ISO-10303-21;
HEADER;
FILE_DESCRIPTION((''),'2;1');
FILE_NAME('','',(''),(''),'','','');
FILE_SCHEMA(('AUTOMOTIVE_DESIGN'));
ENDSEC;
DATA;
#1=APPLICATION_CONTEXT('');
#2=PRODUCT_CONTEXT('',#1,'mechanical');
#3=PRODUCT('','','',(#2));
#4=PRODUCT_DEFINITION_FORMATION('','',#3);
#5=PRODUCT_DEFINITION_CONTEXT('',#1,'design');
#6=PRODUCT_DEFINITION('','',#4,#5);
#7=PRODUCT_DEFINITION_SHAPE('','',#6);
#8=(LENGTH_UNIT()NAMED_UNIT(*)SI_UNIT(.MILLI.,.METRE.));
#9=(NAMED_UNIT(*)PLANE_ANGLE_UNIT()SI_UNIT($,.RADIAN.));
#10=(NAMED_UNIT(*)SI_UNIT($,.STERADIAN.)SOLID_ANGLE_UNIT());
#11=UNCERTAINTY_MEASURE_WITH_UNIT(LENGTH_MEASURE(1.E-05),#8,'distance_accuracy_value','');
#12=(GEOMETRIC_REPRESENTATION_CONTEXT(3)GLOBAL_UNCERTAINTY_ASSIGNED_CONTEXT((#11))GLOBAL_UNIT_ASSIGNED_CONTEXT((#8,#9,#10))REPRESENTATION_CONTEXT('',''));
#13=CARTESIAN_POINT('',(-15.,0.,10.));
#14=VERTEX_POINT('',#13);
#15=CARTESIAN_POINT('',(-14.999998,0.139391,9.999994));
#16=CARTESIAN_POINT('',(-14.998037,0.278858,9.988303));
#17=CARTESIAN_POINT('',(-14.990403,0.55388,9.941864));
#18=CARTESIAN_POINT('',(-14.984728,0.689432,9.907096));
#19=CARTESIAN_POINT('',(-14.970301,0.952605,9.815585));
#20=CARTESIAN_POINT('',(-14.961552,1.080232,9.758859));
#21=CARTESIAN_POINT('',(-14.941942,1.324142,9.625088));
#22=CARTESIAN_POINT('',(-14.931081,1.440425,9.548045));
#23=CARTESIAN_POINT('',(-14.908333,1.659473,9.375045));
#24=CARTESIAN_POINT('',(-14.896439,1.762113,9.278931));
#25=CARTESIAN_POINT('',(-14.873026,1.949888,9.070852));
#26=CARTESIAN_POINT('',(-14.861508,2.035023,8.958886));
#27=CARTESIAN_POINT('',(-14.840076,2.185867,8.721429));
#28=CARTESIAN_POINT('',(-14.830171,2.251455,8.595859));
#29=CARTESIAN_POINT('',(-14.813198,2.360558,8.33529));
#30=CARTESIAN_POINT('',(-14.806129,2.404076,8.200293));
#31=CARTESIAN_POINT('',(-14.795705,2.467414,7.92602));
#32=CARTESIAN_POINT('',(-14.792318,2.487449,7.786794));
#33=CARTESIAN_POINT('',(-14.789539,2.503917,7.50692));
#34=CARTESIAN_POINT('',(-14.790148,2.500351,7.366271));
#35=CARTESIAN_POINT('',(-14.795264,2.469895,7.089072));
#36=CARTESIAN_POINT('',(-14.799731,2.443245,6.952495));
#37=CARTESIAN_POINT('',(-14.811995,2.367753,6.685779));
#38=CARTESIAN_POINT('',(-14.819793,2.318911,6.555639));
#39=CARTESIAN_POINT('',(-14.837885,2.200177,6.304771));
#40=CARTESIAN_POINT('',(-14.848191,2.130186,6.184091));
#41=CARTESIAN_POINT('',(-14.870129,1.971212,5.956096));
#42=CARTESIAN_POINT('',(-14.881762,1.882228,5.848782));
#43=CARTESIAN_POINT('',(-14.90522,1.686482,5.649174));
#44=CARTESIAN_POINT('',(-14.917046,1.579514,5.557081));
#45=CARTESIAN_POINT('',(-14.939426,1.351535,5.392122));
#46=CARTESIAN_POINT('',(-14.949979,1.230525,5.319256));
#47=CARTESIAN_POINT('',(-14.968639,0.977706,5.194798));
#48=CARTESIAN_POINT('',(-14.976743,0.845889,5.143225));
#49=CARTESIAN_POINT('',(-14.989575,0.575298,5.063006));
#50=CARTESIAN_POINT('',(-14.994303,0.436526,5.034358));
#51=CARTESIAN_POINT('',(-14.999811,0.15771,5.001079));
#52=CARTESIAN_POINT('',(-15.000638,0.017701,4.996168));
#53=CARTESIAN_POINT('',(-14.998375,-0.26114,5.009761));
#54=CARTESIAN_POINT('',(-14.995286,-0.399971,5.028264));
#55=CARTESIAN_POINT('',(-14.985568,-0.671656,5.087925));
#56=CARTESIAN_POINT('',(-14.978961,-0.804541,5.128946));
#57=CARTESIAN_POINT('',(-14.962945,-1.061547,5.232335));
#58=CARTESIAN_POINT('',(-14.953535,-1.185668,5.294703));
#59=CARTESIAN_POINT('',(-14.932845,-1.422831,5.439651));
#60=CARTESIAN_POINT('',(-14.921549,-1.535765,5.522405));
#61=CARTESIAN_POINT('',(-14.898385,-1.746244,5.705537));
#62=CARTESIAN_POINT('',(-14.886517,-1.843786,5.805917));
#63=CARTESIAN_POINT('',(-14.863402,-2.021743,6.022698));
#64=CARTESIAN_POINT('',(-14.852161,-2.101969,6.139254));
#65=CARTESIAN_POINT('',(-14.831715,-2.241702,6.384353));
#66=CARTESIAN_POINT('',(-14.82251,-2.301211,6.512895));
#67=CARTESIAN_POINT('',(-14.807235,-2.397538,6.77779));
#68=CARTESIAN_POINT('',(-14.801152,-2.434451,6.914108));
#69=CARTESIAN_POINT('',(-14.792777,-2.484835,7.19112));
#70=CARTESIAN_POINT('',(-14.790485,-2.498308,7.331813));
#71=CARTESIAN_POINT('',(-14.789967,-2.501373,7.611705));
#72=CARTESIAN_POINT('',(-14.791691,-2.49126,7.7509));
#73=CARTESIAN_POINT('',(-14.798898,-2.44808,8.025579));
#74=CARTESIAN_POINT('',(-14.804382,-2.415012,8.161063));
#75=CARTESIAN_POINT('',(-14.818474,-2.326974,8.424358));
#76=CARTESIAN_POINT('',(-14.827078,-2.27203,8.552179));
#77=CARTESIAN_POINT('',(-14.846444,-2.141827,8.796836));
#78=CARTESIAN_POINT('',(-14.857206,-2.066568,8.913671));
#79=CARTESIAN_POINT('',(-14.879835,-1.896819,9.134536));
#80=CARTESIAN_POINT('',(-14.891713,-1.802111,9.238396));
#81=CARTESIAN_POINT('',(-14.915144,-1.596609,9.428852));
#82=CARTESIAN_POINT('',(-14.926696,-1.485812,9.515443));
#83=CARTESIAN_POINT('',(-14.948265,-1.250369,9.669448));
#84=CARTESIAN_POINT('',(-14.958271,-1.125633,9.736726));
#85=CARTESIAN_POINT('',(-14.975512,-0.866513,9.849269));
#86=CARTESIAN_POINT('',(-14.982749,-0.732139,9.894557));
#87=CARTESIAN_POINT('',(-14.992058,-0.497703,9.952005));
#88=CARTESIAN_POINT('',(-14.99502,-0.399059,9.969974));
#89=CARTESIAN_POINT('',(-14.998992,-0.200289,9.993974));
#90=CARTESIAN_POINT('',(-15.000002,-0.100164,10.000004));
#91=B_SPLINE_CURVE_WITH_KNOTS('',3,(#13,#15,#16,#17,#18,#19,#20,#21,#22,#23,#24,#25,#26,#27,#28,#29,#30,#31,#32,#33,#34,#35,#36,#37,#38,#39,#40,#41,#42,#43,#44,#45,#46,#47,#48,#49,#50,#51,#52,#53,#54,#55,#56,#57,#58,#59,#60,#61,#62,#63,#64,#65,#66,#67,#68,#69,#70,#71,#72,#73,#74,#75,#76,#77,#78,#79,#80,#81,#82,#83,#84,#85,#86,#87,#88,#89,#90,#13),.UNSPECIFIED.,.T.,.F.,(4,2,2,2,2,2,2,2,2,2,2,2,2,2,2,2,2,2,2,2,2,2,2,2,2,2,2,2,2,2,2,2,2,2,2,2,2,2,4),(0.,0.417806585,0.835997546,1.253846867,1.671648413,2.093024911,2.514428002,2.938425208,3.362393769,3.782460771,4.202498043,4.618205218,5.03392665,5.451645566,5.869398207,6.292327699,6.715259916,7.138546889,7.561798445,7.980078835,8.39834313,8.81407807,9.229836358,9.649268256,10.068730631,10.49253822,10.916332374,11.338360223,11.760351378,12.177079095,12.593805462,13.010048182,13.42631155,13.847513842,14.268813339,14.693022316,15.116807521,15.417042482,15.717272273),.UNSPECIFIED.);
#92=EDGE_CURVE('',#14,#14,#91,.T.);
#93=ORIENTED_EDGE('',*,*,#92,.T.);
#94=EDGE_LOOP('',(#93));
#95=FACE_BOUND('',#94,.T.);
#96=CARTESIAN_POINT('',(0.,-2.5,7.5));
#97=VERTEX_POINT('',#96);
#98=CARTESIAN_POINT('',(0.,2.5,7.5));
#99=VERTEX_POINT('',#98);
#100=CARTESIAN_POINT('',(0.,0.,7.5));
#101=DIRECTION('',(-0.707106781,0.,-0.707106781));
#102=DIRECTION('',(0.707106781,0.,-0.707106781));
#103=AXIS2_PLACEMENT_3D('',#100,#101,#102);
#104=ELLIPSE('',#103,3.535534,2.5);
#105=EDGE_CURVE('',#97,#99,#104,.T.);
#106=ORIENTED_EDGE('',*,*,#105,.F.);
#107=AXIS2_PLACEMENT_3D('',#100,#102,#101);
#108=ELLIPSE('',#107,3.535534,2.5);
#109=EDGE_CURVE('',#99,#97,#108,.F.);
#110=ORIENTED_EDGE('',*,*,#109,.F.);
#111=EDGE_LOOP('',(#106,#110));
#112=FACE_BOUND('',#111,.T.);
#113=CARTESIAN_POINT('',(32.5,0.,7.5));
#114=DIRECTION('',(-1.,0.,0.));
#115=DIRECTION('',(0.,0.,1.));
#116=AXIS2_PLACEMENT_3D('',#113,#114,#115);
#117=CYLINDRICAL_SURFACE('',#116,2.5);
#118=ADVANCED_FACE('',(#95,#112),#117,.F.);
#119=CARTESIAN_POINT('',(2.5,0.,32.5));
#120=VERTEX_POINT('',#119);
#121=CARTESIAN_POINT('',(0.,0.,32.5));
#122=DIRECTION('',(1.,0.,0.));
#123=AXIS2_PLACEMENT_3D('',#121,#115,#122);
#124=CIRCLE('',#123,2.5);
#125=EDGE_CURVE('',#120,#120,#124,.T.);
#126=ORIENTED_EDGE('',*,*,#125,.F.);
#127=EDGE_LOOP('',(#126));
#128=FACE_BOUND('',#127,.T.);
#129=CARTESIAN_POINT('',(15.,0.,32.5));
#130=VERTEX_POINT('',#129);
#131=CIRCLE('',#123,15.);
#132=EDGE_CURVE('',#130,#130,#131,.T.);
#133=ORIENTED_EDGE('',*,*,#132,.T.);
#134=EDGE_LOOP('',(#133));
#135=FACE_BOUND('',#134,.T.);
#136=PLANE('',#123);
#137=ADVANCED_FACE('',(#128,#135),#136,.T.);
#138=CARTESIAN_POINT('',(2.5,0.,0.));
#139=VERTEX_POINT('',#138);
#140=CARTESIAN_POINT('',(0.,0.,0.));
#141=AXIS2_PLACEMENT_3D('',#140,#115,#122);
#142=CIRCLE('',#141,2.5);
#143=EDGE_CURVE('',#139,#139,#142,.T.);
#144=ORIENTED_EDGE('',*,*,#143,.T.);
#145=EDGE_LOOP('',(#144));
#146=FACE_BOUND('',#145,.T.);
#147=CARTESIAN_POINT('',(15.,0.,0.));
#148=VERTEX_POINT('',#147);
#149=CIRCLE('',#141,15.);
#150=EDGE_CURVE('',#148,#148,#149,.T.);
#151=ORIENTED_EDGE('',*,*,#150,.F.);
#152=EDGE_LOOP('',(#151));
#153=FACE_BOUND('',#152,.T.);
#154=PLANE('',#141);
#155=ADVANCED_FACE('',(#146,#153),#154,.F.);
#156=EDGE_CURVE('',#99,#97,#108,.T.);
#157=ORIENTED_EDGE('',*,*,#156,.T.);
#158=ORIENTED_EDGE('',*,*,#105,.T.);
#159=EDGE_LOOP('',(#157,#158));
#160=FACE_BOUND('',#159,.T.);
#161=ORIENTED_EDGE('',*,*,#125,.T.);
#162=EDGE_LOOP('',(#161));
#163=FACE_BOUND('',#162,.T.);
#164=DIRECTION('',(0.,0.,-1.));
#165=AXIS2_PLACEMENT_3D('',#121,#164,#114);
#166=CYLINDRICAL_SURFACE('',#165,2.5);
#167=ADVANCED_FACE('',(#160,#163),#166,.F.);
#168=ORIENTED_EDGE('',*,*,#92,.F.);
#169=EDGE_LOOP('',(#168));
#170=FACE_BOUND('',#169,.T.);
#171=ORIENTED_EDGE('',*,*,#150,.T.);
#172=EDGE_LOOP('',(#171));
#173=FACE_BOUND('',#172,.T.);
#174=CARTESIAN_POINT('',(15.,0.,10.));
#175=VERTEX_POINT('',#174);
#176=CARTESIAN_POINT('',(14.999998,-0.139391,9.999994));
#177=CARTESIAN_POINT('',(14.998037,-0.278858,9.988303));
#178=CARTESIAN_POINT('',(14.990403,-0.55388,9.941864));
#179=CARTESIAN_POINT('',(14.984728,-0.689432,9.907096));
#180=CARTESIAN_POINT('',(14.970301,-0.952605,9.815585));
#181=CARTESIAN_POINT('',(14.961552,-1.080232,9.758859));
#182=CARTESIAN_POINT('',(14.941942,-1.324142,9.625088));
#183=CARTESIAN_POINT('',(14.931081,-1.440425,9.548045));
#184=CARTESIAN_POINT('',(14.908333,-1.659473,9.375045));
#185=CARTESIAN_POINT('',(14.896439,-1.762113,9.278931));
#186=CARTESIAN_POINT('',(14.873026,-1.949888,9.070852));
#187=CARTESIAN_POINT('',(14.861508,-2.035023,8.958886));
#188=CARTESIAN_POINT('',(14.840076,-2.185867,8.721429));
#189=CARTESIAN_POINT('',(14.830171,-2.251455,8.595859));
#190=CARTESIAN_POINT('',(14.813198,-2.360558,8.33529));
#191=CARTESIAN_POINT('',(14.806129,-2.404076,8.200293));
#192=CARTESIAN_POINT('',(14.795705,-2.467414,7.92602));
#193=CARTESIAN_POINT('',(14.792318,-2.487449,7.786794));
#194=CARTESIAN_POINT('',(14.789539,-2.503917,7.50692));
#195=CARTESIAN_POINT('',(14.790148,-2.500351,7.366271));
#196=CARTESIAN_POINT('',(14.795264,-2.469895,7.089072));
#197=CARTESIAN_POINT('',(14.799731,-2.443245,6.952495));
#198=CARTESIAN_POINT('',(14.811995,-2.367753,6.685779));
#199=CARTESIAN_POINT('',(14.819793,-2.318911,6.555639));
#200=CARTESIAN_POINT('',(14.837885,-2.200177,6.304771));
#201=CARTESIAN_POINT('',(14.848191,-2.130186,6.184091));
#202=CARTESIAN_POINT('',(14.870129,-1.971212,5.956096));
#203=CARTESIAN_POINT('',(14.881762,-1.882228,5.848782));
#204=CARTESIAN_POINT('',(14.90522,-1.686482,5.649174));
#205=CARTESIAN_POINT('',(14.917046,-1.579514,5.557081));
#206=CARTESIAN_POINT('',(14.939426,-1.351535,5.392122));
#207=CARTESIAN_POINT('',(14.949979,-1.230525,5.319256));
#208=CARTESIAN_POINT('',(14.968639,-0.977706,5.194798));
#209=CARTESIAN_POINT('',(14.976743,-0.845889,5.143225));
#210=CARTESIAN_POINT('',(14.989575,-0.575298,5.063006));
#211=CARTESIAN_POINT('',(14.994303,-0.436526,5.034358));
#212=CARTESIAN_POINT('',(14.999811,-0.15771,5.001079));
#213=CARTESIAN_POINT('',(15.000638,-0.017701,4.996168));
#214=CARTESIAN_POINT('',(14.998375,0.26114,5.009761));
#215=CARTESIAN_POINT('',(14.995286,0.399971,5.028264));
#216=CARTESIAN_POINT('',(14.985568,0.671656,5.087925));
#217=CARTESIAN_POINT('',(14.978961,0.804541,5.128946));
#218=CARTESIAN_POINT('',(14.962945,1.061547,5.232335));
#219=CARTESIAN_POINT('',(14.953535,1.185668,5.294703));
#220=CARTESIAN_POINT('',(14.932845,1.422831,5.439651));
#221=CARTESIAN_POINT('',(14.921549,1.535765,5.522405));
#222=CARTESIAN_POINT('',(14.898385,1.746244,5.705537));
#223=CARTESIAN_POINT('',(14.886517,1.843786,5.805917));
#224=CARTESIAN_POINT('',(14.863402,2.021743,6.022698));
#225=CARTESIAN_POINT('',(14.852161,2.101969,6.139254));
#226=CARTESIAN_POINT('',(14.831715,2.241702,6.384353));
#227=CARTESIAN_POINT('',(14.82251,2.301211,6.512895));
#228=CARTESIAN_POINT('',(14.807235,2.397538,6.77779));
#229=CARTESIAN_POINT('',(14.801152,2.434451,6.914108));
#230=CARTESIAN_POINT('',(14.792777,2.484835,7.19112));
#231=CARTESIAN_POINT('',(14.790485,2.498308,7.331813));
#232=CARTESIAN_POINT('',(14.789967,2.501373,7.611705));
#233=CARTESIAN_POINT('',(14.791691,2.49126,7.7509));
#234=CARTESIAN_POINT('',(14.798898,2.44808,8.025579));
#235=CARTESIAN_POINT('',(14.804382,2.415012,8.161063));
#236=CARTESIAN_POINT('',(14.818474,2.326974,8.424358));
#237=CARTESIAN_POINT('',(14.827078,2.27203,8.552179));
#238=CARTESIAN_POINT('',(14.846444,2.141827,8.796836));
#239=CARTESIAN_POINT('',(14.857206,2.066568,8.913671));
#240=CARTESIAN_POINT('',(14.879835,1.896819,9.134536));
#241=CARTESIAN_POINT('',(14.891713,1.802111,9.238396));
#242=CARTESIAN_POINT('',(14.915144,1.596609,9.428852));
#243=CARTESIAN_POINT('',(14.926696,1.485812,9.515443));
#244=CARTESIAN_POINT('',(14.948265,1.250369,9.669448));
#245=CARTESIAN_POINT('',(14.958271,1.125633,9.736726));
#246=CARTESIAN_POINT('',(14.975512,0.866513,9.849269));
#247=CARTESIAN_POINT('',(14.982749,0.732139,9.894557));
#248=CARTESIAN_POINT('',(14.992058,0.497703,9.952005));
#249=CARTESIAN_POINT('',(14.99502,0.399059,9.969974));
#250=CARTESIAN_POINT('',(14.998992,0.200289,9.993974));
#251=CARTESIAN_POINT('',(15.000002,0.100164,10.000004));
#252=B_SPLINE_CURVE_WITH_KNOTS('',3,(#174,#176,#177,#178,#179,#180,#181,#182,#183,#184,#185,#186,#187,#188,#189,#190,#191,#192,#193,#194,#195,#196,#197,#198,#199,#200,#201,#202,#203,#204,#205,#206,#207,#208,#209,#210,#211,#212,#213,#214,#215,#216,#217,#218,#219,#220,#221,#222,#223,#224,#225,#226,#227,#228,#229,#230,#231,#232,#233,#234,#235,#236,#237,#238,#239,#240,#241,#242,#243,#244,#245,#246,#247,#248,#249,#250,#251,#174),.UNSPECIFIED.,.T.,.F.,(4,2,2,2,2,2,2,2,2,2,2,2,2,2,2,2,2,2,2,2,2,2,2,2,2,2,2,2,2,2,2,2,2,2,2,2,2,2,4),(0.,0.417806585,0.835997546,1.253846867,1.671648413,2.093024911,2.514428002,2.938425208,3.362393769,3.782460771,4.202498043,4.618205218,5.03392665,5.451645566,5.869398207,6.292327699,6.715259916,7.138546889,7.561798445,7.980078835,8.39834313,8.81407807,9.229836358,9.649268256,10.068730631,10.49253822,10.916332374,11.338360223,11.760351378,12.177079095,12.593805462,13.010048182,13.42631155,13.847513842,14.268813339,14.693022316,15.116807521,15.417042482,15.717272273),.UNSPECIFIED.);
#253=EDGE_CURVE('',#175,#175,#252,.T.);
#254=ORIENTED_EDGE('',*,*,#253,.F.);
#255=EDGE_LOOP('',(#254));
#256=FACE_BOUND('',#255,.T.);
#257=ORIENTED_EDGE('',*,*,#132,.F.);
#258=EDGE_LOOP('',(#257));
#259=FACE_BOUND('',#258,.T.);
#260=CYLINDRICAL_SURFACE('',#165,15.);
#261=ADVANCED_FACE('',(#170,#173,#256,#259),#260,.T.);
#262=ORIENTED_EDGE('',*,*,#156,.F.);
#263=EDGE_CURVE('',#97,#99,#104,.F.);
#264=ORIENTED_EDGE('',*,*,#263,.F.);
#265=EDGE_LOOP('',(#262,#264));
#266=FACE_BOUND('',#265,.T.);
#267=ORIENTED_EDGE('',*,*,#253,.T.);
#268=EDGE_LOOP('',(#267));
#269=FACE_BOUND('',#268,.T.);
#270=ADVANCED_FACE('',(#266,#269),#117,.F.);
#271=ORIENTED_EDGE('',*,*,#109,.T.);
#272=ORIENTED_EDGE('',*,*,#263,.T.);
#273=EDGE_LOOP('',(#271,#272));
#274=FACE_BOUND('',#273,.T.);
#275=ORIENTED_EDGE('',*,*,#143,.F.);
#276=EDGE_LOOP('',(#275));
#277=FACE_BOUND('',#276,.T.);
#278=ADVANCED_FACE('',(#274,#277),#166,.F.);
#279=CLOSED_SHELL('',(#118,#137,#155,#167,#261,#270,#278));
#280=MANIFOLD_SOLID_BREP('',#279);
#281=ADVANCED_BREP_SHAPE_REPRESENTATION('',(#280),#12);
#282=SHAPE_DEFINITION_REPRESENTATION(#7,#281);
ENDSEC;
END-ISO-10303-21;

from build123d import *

# Parameters (mm, degrees)
SKETCH1_R               = 15
SKETCH1_R_2             = 2.5
BOSS_EXTRUDE1_DEPTH     = 32.5
CUT_EXTRUDE1_DEPTH      = 32.5
CUT_EXTRUDE1_DEPTH_BACK = 32.5
SKETCH2_R               = 2.5


with BuildPart() as part:
    # Sketch1 → Boss-Extrude1 (new body)
    with BuildSketch(Plane.XY):
        Circle(SKETCH1_R)
        Circle(SKETCH1_R_2, mode=Mode.SUBTRACT)
    extrude(amount=BOSS_EXTRUDE1_DEPTH)

    # Sketch2 → Cut-Extrude1 (cut, two sides: drawn at the far end of the back side and taken through both)
    with BuildSketch(Plane(origin=(0, 0, 0), x_dir=(0, 0, -1), z_dir=(1, 0, 0)).offset(-CUT_EXTRUDE1_DEPTH_BACK)):
        with Locations((-7.5, 0)):
            Circle(SKETCH2_R)
    extrude(amount=CUT_EXTRUDE1_DEPTH + CUT_EXTRUDE1_DEPTH_BACK, mode=Mode.SUBTRACT)


solid = part.part
